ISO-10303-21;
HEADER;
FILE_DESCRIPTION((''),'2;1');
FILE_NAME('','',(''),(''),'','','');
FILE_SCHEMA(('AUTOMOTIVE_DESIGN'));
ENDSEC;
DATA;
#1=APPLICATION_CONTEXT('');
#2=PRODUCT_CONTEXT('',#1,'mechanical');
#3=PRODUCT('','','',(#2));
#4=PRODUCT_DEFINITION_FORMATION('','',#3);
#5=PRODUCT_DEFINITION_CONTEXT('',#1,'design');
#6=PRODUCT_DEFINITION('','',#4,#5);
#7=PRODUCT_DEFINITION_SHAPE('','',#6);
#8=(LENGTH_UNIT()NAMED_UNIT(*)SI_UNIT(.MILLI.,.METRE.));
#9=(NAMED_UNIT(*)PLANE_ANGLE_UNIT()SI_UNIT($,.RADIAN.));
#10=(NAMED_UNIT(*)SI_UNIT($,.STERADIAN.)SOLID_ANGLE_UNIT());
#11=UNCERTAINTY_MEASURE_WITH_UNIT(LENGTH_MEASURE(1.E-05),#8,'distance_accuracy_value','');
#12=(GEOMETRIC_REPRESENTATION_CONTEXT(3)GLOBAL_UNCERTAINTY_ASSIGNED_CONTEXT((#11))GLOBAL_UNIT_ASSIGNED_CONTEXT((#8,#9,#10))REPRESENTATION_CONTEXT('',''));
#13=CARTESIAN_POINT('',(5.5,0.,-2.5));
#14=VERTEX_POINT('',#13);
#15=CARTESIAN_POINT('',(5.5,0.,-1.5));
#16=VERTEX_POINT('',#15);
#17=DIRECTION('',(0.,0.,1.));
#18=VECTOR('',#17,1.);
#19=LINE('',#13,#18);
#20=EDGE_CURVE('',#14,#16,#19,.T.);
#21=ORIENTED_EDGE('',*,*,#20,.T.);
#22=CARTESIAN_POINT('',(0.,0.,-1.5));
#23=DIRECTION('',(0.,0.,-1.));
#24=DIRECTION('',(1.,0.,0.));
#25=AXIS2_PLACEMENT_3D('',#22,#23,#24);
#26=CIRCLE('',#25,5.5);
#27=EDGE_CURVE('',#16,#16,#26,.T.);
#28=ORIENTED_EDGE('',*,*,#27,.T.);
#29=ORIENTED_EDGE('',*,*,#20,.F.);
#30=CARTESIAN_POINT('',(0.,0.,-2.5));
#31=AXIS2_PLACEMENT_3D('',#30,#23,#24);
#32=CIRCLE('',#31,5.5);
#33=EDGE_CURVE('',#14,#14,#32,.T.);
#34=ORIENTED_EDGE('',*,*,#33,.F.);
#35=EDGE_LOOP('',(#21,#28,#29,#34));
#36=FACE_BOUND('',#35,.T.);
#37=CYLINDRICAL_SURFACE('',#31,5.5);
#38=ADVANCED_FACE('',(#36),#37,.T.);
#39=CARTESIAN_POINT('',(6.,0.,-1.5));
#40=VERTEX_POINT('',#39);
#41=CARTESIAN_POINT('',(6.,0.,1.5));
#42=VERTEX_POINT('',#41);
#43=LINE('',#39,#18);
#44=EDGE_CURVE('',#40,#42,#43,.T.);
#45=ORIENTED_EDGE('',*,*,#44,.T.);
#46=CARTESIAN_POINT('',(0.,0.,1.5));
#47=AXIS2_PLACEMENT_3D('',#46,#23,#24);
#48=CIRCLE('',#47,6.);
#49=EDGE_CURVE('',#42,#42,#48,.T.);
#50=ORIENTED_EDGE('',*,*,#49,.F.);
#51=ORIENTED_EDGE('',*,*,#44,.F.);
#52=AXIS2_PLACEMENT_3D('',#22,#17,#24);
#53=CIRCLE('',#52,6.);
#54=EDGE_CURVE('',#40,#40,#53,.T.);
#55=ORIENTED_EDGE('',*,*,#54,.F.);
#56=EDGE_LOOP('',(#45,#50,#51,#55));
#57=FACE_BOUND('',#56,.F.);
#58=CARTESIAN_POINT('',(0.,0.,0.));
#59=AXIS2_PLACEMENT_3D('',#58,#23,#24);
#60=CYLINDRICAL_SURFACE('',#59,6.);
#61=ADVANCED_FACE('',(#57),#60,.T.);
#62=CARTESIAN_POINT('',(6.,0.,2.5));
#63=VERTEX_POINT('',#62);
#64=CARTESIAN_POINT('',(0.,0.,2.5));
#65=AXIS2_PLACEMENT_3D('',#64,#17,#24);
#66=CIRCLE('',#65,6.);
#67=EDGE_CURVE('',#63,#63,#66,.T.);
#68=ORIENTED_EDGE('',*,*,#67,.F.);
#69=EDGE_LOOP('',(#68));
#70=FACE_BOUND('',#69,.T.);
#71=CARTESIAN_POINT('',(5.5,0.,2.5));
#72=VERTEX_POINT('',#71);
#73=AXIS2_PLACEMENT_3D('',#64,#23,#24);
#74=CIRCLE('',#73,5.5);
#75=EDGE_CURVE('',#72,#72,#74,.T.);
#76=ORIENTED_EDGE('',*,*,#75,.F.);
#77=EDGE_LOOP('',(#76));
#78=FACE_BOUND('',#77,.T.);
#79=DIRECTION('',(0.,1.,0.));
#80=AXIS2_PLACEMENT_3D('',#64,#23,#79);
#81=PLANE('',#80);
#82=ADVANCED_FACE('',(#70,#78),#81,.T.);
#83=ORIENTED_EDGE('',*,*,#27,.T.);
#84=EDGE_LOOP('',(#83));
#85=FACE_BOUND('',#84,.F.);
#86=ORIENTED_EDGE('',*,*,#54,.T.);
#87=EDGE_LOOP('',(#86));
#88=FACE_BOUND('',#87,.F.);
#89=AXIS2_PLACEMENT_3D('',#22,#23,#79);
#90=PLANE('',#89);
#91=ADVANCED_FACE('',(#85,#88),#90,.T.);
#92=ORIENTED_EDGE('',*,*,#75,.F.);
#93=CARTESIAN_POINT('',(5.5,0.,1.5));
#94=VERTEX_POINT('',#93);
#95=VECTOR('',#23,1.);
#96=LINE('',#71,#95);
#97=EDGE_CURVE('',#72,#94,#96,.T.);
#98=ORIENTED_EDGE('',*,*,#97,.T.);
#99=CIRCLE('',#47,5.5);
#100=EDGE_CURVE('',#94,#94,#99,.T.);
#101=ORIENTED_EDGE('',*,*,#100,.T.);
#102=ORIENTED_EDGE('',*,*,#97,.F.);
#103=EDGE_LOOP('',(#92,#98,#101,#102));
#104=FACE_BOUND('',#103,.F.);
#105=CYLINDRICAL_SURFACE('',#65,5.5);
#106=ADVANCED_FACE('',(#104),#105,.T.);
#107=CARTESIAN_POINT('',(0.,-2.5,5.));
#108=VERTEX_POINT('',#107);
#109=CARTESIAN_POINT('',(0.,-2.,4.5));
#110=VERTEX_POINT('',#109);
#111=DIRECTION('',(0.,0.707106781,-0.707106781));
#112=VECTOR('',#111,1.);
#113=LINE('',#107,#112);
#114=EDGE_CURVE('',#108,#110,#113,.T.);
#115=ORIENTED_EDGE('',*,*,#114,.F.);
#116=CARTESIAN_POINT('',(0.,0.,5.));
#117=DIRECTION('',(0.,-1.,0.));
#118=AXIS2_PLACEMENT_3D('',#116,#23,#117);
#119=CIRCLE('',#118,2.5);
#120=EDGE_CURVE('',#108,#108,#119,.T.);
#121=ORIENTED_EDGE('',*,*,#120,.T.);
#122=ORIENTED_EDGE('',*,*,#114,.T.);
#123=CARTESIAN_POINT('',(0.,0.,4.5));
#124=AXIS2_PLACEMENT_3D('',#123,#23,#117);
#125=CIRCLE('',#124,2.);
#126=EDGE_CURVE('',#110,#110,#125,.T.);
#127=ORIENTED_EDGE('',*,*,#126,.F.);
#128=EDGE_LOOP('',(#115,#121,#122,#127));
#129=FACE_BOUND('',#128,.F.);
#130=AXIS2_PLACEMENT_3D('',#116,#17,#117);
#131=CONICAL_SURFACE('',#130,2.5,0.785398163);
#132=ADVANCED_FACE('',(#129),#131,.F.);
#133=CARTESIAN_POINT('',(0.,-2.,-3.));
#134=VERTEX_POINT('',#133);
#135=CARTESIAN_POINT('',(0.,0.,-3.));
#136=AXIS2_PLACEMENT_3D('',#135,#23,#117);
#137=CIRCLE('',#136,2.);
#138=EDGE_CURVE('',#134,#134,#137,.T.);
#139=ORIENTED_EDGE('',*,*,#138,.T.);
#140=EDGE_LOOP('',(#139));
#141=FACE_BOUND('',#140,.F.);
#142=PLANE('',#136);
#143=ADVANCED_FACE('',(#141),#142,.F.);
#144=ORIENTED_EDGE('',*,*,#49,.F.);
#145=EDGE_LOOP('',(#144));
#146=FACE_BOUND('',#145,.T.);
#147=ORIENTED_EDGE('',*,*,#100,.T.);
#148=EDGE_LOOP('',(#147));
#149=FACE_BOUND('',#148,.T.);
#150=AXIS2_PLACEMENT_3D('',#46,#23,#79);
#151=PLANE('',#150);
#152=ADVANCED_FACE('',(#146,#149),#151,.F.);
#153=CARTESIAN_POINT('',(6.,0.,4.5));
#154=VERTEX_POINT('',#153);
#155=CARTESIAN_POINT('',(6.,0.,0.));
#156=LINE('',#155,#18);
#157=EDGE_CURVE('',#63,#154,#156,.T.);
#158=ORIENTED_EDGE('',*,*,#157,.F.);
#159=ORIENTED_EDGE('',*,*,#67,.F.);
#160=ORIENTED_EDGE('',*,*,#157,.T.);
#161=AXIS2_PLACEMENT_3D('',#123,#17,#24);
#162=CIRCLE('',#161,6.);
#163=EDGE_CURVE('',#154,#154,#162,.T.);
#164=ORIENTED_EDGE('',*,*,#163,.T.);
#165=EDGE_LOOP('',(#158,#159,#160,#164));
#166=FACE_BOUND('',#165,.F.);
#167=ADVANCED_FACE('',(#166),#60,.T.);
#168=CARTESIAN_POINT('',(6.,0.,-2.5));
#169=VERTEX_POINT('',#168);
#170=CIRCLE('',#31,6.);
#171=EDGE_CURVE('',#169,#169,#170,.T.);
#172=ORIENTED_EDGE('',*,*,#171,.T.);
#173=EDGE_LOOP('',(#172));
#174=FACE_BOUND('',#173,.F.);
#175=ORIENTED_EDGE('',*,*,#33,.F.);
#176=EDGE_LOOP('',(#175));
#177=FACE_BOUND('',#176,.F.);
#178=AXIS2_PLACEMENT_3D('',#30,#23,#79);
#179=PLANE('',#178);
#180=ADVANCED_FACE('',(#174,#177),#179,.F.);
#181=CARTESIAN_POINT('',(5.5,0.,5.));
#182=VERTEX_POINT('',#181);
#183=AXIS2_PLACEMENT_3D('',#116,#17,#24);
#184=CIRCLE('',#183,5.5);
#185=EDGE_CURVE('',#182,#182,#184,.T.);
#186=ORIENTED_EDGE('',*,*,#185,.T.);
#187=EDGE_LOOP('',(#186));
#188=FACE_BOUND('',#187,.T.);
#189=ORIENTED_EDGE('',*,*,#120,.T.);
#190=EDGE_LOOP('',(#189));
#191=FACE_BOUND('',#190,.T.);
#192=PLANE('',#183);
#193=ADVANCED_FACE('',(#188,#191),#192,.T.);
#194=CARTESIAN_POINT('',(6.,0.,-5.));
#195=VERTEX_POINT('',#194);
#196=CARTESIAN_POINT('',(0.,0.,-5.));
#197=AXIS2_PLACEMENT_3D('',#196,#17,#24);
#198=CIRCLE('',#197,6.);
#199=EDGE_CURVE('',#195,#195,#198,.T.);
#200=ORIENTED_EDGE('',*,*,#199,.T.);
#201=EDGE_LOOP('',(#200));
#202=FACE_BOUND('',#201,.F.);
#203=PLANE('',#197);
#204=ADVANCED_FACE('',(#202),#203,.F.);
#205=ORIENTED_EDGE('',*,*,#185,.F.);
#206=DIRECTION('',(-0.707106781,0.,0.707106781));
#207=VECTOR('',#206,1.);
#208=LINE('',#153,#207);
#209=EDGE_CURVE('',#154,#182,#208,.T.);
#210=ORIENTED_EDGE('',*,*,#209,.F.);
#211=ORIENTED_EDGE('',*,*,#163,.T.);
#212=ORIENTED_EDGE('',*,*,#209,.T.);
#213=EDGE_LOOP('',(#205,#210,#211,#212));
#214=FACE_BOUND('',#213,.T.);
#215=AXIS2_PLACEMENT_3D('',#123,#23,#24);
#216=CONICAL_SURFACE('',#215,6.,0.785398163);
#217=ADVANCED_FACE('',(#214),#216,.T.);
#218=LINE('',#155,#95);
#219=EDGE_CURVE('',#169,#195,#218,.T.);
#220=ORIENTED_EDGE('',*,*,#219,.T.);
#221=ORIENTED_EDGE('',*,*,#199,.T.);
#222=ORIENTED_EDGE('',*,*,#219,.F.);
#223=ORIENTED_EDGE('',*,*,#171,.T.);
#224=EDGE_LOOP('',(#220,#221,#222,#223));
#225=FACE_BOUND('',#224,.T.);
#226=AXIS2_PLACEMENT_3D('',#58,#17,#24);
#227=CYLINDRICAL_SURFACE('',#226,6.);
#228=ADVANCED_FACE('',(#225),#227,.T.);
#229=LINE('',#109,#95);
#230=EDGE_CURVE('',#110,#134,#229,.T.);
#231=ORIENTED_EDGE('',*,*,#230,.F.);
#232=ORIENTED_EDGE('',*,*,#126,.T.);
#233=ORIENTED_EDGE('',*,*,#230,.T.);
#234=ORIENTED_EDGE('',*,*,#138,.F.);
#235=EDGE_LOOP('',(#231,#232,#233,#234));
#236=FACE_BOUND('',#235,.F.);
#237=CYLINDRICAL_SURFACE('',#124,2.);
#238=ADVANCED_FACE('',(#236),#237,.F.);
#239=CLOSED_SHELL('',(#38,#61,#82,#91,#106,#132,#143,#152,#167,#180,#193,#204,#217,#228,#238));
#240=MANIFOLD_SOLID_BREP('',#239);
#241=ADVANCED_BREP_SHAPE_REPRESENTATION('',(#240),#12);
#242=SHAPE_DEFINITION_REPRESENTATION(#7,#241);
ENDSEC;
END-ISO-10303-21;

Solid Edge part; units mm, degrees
sketch "Sketch1" plane through (0, 0, 0) normal (0, 0, 1) x (1, 0, 0)
  circle A0 centre (0, 0) radius 6
extrude "Protrusion1" add sketch "Sketch1" along normal mid plane 10
sketch "Sketch2" plane through (0, 0, 0) normal (1, 0, 0) x (0, 1, 0)
  line L0 (5.5, 1.5) -> (6, 1.5)
  line L1 (6, 2.5) -> (6, 1.5)
  line L2 (6, 2.5) -> (5.5, 2.5)
revolve "RevolvedCutout1" cut sketch "Sketch2" angle 360 about axis through (0, 0, 6.6251) along (0, 0, -1) material side at (0, 5.75, 1.55)
sketch "Sketch3" plane through (0, 0, 2.5) normal (0, 0, -1) x (1, 0, 0)
  circle A0 centre (0, 0) radius 5.5
extrude "ExtrudedProtrusion_2" add sketch "Sketch3" along normal blind 1
sketch "Sketch4" plane through (0, 0, 0) normal (1, 0, 0) x (0, 1, 0)
  line L0 (6, -2.5) -> (5.5, -2.5)
  line L1 (6, -1.5) -> (6, -2.5)
  line L2 (5.5, -1.5) -> (6, -1.5)
revolve "RevolvedCutout2" cut sketch "Sketch4" angle 360 about axis through (0, 0, 6.6251) along (0, 0, -1) material side at (0, 5.75, -2.45)
mirror "Mirror1" about plane through (0, 0, 0) normal (0, 0, 1) of "ExtrudedProtrusion_2"
chamfer "Chamfer_1" distance 0.5 angle 45 1 edges at (-6, 0, 5)
hole "Hole_1" at (0, 0, 5) direction (0, 0, -1) diameter 4 depth 8 countersink diameter 5 countersink angle 90
cosmetic_thread "Thread_1" size "M4" thread depth 7.5
